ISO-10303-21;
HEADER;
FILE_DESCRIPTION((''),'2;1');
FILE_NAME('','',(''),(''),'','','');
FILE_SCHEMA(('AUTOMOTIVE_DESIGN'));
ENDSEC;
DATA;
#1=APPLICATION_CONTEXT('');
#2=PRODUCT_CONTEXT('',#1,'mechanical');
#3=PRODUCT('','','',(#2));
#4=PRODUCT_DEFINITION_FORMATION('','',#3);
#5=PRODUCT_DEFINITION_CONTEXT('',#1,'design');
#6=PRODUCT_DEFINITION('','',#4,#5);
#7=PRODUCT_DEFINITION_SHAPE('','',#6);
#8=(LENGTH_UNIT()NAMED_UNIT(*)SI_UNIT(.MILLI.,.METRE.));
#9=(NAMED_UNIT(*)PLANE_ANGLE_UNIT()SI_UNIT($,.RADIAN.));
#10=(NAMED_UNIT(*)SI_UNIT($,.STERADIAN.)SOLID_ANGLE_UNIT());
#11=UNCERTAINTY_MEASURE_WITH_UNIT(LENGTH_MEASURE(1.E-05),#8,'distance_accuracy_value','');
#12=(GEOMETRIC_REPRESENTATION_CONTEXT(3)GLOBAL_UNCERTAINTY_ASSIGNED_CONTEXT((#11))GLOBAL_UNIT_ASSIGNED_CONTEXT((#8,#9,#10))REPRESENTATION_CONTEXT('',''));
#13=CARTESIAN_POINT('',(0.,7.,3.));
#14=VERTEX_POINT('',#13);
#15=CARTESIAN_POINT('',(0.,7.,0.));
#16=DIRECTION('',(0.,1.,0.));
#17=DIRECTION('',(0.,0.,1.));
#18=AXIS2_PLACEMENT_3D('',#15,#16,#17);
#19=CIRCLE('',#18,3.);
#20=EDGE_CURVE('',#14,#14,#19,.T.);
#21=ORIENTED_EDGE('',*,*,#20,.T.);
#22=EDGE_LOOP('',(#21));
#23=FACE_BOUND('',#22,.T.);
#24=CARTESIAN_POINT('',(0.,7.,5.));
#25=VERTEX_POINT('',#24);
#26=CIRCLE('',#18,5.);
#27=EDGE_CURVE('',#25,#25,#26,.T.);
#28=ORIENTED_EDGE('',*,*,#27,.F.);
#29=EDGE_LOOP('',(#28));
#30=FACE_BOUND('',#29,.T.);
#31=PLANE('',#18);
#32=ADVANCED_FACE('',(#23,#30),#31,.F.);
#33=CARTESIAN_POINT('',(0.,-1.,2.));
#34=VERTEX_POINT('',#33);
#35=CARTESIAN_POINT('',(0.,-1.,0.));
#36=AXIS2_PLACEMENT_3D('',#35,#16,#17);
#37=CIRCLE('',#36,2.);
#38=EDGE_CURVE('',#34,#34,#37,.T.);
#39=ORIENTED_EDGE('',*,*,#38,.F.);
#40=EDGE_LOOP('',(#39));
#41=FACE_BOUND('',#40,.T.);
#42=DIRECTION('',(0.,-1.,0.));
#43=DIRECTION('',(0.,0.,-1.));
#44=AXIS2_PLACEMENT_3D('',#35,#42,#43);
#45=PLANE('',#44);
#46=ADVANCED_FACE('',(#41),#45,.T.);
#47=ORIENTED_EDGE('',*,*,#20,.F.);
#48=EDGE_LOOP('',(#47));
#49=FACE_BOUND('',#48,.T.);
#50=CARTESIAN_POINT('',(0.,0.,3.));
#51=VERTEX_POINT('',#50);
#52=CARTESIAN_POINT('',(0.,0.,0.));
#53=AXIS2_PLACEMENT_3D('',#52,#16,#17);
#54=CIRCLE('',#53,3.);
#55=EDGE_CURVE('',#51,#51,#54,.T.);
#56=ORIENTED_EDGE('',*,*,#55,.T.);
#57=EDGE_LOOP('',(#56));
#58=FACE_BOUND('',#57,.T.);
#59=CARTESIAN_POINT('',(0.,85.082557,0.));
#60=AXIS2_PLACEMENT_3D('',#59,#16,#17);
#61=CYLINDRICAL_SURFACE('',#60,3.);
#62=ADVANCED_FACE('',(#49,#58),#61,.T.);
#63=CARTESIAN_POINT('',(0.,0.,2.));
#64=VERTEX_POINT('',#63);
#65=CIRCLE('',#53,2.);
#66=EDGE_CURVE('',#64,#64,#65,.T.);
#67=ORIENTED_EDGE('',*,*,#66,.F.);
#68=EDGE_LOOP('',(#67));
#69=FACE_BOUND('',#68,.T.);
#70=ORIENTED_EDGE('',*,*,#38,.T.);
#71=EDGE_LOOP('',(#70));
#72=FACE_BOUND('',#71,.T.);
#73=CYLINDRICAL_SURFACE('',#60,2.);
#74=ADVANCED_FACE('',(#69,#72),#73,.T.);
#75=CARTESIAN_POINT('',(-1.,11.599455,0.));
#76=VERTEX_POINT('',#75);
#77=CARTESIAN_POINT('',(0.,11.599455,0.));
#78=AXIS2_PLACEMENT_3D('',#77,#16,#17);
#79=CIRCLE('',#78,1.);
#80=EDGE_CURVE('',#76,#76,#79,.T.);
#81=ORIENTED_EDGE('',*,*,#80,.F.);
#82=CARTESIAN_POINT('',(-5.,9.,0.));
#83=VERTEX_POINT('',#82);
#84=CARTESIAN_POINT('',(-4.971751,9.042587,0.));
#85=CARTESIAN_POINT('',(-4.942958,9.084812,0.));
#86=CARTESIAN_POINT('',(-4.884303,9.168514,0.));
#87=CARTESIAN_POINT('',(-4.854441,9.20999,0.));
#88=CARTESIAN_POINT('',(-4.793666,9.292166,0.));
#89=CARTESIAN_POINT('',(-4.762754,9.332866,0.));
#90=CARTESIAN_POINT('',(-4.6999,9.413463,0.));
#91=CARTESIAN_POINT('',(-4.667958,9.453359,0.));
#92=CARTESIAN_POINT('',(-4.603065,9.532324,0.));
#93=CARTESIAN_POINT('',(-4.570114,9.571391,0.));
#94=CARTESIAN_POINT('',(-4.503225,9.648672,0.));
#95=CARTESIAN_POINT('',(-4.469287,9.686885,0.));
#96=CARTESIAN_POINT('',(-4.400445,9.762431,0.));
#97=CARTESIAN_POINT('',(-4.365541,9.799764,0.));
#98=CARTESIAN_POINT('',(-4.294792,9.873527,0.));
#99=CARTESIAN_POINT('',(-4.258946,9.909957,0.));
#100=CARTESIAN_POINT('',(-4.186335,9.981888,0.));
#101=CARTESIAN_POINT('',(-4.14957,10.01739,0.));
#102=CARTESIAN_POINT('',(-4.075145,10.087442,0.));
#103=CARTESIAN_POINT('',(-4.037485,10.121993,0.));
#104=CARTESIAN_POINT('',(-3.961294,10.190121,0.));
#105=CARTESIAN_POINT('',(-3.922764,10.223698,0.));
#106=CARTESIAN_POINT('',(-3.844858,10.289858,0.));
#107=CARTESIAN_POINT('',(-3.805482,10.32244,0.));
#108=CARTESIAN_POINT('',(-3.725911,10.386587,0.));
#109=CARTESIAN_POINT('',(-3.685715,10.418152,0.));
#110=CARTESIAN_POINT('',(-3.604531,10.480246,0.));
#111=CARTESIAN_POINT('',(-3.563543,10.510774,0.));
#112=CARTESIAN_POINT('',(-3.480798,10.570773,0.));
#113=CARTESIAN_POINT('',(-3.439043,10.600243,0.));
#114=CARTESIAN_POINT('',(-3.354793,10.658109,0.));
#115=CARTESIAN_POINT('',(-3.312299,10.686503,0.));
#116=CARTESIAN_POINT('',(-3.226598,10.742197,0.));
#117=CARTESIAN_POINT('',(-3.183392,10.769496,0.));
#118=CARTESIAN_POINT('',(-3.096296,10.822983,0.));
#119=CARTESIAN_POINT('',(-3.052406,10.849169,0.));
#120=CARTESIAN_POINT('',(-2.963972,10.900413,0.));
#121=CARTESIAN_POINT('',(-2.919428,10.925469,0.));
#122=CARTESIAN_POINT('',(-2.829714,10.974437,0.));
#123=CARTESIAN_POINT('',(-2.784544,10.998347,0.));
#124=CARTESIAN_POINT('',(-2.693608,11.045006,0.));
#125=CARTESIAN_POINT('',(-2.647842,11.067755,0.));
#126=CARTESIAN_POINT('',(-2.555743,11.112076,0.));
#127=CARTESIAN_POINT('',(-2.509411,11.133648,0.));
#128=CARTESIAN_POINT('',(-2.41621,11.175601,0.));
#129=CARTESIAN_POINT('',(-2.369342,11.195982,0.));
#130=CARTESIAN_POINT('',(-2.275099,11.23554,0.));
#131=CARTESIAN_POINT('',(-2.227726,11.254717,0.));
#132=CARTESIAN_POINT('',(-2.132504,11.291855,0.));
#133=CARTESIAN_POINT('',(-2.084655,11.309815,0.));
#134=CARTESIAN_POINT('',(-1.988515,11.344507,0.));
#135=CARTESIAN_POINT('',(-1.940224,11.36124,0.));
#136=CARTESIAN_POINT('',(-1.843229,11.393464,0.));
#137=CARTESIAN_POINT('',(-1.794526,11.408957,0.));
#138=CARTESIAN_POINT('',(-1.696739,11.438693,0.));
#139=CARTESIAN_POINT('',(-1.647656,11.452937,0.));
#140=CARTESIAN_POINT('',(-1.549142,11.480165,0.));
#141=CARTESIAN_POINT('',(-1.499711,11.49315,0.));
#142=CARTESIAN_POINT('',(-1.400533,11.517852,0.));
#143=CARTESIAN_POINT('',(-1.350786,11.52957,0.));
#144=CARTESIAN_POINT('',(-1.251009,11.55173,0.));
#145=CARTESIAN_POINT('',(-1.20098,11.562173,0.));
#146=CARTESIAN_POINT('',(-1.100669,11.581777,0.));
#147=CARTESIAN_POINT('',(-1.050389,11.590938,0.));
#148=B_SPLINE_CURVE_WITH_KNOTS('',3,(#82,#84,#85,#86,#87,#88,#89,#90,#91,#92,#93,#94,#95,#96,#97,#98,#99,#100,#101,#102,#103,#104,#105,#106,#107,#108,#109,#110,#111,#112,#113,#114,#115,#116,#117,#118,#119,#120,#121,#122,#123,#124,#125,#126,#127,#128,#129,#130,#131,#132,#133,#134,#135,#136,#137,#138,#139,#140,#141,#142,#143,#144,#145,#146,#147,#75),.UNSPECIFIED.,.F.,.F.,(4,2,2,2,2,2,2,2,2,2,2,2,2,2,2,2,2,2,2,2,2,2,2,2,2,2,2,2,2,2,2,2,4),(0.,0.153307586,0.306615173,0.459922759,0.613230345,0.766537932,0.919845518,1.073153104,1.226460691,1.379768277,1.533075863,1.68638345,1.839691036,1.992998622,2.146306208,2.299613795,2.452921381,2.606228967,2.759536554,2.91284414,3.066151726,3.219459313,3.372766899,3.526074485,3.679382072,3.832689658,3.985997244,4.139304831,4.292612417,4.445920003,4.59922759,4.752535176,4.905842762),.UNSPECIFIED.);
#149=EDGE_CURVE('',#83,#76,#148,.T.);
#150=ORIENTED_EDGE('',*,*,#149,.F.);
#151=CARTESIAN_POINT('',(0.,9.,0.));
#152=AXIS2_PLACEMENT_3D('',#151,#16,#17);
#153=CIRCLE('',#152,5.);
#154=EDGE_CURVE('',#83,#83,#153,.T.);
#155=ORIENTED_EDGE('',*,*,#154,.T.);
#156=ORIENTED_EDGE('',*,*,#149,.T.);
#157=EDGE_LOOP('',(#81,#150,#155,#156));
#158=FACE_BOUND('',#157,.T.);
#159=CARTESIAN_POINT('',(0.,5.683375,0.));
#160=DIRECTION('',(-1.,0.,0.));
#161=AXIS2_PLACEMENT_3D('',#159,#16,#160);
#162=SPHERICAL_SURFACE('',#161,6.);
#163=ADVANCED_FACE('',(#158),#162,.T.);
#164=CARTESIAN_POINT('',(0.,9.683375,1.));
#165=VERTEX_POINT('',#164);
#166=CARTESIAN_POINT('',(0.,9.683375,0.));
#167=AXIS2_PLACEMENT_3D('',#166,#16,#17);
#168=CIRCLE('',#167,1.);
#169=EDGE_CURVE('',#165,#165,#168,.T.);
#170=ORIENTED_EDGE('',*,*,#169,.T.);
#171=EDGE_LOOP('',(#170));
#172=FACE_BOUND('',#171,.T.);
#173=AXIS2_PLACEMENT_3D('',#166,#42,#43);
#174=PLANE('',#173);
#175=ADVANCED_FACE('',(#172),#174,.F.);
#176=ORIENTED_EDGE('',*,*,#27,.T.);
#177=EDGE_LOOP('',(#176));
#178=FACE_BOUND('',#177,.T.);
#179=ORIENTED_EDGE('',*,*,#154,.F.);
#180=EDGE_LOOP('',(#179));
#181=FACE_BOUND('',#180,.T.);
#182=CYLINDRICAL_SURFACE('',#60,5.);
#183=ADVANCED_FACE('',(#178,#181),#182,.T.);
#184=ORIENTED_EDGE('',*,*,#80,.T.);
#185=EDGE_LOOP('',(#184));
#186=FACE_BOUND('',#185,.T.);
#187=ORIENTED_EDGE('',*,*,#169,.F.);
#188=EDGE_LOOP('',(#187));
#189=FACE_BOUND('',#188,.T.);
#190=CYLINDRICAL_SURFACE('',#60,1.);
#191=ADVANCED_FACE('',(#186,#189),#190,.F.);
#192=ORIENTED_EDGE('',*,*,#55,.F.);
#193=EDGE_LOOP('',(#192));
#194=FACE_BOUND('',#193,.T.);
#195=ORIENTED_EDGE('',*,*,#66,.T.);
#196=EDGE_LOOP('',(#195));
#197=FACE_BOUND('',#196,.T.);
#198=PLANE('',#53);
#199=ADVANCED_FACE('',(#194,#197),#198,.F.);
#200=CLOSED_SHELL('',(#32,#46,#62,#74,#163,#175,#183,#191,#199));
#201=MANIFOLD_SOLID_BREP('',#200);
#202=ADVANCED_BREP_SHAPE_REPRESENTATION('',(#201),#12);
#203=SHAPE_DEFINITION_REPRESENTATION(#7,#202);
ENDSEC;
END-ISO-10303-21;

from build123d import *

# Parameters (mm, degrees)
SKETCH1_W = 2
SKETCH1_H = 1


with BuildPart() as part:
    # Sketch1 → Revolve2 (revolve)
    with BuildSketch(Plane.XY, mode=Mode.PRIVATE) as revolve2_sk:
        with Locations((-1, -0.5)):
            Rectangle(SKETCH1_W, SKETCH1_H)
        Polygon((0, 0), (0, 7), (-3, 7), (-3, 0), (-2, 0), align=None)
        Polygon((0, 7), (0, 9), (-5, 9), (-5, 7), (-3, 7), align=None)
        with BuildLine():
            Line((0, 9), (0, 9.68337521))
            Line((0, 9.68337521), (-1, 9.68337521))
            Line((-1, 9.68337521), (-1, 11.599454993))
            ThreePointArc((-1, 11.599454993), (-3.269448205, 10.714350109), (-5, 9))
            Line((-5, 9), (0, 9))
        make_face()
    revolve(revolve2_sk.sketch.rotate(Axis((0, 85.082557183, 0), (0, -1, 0)), 270), axis=Axis((0, 85.082557183, 0), (0, -1, 0)))


solid = part.part
